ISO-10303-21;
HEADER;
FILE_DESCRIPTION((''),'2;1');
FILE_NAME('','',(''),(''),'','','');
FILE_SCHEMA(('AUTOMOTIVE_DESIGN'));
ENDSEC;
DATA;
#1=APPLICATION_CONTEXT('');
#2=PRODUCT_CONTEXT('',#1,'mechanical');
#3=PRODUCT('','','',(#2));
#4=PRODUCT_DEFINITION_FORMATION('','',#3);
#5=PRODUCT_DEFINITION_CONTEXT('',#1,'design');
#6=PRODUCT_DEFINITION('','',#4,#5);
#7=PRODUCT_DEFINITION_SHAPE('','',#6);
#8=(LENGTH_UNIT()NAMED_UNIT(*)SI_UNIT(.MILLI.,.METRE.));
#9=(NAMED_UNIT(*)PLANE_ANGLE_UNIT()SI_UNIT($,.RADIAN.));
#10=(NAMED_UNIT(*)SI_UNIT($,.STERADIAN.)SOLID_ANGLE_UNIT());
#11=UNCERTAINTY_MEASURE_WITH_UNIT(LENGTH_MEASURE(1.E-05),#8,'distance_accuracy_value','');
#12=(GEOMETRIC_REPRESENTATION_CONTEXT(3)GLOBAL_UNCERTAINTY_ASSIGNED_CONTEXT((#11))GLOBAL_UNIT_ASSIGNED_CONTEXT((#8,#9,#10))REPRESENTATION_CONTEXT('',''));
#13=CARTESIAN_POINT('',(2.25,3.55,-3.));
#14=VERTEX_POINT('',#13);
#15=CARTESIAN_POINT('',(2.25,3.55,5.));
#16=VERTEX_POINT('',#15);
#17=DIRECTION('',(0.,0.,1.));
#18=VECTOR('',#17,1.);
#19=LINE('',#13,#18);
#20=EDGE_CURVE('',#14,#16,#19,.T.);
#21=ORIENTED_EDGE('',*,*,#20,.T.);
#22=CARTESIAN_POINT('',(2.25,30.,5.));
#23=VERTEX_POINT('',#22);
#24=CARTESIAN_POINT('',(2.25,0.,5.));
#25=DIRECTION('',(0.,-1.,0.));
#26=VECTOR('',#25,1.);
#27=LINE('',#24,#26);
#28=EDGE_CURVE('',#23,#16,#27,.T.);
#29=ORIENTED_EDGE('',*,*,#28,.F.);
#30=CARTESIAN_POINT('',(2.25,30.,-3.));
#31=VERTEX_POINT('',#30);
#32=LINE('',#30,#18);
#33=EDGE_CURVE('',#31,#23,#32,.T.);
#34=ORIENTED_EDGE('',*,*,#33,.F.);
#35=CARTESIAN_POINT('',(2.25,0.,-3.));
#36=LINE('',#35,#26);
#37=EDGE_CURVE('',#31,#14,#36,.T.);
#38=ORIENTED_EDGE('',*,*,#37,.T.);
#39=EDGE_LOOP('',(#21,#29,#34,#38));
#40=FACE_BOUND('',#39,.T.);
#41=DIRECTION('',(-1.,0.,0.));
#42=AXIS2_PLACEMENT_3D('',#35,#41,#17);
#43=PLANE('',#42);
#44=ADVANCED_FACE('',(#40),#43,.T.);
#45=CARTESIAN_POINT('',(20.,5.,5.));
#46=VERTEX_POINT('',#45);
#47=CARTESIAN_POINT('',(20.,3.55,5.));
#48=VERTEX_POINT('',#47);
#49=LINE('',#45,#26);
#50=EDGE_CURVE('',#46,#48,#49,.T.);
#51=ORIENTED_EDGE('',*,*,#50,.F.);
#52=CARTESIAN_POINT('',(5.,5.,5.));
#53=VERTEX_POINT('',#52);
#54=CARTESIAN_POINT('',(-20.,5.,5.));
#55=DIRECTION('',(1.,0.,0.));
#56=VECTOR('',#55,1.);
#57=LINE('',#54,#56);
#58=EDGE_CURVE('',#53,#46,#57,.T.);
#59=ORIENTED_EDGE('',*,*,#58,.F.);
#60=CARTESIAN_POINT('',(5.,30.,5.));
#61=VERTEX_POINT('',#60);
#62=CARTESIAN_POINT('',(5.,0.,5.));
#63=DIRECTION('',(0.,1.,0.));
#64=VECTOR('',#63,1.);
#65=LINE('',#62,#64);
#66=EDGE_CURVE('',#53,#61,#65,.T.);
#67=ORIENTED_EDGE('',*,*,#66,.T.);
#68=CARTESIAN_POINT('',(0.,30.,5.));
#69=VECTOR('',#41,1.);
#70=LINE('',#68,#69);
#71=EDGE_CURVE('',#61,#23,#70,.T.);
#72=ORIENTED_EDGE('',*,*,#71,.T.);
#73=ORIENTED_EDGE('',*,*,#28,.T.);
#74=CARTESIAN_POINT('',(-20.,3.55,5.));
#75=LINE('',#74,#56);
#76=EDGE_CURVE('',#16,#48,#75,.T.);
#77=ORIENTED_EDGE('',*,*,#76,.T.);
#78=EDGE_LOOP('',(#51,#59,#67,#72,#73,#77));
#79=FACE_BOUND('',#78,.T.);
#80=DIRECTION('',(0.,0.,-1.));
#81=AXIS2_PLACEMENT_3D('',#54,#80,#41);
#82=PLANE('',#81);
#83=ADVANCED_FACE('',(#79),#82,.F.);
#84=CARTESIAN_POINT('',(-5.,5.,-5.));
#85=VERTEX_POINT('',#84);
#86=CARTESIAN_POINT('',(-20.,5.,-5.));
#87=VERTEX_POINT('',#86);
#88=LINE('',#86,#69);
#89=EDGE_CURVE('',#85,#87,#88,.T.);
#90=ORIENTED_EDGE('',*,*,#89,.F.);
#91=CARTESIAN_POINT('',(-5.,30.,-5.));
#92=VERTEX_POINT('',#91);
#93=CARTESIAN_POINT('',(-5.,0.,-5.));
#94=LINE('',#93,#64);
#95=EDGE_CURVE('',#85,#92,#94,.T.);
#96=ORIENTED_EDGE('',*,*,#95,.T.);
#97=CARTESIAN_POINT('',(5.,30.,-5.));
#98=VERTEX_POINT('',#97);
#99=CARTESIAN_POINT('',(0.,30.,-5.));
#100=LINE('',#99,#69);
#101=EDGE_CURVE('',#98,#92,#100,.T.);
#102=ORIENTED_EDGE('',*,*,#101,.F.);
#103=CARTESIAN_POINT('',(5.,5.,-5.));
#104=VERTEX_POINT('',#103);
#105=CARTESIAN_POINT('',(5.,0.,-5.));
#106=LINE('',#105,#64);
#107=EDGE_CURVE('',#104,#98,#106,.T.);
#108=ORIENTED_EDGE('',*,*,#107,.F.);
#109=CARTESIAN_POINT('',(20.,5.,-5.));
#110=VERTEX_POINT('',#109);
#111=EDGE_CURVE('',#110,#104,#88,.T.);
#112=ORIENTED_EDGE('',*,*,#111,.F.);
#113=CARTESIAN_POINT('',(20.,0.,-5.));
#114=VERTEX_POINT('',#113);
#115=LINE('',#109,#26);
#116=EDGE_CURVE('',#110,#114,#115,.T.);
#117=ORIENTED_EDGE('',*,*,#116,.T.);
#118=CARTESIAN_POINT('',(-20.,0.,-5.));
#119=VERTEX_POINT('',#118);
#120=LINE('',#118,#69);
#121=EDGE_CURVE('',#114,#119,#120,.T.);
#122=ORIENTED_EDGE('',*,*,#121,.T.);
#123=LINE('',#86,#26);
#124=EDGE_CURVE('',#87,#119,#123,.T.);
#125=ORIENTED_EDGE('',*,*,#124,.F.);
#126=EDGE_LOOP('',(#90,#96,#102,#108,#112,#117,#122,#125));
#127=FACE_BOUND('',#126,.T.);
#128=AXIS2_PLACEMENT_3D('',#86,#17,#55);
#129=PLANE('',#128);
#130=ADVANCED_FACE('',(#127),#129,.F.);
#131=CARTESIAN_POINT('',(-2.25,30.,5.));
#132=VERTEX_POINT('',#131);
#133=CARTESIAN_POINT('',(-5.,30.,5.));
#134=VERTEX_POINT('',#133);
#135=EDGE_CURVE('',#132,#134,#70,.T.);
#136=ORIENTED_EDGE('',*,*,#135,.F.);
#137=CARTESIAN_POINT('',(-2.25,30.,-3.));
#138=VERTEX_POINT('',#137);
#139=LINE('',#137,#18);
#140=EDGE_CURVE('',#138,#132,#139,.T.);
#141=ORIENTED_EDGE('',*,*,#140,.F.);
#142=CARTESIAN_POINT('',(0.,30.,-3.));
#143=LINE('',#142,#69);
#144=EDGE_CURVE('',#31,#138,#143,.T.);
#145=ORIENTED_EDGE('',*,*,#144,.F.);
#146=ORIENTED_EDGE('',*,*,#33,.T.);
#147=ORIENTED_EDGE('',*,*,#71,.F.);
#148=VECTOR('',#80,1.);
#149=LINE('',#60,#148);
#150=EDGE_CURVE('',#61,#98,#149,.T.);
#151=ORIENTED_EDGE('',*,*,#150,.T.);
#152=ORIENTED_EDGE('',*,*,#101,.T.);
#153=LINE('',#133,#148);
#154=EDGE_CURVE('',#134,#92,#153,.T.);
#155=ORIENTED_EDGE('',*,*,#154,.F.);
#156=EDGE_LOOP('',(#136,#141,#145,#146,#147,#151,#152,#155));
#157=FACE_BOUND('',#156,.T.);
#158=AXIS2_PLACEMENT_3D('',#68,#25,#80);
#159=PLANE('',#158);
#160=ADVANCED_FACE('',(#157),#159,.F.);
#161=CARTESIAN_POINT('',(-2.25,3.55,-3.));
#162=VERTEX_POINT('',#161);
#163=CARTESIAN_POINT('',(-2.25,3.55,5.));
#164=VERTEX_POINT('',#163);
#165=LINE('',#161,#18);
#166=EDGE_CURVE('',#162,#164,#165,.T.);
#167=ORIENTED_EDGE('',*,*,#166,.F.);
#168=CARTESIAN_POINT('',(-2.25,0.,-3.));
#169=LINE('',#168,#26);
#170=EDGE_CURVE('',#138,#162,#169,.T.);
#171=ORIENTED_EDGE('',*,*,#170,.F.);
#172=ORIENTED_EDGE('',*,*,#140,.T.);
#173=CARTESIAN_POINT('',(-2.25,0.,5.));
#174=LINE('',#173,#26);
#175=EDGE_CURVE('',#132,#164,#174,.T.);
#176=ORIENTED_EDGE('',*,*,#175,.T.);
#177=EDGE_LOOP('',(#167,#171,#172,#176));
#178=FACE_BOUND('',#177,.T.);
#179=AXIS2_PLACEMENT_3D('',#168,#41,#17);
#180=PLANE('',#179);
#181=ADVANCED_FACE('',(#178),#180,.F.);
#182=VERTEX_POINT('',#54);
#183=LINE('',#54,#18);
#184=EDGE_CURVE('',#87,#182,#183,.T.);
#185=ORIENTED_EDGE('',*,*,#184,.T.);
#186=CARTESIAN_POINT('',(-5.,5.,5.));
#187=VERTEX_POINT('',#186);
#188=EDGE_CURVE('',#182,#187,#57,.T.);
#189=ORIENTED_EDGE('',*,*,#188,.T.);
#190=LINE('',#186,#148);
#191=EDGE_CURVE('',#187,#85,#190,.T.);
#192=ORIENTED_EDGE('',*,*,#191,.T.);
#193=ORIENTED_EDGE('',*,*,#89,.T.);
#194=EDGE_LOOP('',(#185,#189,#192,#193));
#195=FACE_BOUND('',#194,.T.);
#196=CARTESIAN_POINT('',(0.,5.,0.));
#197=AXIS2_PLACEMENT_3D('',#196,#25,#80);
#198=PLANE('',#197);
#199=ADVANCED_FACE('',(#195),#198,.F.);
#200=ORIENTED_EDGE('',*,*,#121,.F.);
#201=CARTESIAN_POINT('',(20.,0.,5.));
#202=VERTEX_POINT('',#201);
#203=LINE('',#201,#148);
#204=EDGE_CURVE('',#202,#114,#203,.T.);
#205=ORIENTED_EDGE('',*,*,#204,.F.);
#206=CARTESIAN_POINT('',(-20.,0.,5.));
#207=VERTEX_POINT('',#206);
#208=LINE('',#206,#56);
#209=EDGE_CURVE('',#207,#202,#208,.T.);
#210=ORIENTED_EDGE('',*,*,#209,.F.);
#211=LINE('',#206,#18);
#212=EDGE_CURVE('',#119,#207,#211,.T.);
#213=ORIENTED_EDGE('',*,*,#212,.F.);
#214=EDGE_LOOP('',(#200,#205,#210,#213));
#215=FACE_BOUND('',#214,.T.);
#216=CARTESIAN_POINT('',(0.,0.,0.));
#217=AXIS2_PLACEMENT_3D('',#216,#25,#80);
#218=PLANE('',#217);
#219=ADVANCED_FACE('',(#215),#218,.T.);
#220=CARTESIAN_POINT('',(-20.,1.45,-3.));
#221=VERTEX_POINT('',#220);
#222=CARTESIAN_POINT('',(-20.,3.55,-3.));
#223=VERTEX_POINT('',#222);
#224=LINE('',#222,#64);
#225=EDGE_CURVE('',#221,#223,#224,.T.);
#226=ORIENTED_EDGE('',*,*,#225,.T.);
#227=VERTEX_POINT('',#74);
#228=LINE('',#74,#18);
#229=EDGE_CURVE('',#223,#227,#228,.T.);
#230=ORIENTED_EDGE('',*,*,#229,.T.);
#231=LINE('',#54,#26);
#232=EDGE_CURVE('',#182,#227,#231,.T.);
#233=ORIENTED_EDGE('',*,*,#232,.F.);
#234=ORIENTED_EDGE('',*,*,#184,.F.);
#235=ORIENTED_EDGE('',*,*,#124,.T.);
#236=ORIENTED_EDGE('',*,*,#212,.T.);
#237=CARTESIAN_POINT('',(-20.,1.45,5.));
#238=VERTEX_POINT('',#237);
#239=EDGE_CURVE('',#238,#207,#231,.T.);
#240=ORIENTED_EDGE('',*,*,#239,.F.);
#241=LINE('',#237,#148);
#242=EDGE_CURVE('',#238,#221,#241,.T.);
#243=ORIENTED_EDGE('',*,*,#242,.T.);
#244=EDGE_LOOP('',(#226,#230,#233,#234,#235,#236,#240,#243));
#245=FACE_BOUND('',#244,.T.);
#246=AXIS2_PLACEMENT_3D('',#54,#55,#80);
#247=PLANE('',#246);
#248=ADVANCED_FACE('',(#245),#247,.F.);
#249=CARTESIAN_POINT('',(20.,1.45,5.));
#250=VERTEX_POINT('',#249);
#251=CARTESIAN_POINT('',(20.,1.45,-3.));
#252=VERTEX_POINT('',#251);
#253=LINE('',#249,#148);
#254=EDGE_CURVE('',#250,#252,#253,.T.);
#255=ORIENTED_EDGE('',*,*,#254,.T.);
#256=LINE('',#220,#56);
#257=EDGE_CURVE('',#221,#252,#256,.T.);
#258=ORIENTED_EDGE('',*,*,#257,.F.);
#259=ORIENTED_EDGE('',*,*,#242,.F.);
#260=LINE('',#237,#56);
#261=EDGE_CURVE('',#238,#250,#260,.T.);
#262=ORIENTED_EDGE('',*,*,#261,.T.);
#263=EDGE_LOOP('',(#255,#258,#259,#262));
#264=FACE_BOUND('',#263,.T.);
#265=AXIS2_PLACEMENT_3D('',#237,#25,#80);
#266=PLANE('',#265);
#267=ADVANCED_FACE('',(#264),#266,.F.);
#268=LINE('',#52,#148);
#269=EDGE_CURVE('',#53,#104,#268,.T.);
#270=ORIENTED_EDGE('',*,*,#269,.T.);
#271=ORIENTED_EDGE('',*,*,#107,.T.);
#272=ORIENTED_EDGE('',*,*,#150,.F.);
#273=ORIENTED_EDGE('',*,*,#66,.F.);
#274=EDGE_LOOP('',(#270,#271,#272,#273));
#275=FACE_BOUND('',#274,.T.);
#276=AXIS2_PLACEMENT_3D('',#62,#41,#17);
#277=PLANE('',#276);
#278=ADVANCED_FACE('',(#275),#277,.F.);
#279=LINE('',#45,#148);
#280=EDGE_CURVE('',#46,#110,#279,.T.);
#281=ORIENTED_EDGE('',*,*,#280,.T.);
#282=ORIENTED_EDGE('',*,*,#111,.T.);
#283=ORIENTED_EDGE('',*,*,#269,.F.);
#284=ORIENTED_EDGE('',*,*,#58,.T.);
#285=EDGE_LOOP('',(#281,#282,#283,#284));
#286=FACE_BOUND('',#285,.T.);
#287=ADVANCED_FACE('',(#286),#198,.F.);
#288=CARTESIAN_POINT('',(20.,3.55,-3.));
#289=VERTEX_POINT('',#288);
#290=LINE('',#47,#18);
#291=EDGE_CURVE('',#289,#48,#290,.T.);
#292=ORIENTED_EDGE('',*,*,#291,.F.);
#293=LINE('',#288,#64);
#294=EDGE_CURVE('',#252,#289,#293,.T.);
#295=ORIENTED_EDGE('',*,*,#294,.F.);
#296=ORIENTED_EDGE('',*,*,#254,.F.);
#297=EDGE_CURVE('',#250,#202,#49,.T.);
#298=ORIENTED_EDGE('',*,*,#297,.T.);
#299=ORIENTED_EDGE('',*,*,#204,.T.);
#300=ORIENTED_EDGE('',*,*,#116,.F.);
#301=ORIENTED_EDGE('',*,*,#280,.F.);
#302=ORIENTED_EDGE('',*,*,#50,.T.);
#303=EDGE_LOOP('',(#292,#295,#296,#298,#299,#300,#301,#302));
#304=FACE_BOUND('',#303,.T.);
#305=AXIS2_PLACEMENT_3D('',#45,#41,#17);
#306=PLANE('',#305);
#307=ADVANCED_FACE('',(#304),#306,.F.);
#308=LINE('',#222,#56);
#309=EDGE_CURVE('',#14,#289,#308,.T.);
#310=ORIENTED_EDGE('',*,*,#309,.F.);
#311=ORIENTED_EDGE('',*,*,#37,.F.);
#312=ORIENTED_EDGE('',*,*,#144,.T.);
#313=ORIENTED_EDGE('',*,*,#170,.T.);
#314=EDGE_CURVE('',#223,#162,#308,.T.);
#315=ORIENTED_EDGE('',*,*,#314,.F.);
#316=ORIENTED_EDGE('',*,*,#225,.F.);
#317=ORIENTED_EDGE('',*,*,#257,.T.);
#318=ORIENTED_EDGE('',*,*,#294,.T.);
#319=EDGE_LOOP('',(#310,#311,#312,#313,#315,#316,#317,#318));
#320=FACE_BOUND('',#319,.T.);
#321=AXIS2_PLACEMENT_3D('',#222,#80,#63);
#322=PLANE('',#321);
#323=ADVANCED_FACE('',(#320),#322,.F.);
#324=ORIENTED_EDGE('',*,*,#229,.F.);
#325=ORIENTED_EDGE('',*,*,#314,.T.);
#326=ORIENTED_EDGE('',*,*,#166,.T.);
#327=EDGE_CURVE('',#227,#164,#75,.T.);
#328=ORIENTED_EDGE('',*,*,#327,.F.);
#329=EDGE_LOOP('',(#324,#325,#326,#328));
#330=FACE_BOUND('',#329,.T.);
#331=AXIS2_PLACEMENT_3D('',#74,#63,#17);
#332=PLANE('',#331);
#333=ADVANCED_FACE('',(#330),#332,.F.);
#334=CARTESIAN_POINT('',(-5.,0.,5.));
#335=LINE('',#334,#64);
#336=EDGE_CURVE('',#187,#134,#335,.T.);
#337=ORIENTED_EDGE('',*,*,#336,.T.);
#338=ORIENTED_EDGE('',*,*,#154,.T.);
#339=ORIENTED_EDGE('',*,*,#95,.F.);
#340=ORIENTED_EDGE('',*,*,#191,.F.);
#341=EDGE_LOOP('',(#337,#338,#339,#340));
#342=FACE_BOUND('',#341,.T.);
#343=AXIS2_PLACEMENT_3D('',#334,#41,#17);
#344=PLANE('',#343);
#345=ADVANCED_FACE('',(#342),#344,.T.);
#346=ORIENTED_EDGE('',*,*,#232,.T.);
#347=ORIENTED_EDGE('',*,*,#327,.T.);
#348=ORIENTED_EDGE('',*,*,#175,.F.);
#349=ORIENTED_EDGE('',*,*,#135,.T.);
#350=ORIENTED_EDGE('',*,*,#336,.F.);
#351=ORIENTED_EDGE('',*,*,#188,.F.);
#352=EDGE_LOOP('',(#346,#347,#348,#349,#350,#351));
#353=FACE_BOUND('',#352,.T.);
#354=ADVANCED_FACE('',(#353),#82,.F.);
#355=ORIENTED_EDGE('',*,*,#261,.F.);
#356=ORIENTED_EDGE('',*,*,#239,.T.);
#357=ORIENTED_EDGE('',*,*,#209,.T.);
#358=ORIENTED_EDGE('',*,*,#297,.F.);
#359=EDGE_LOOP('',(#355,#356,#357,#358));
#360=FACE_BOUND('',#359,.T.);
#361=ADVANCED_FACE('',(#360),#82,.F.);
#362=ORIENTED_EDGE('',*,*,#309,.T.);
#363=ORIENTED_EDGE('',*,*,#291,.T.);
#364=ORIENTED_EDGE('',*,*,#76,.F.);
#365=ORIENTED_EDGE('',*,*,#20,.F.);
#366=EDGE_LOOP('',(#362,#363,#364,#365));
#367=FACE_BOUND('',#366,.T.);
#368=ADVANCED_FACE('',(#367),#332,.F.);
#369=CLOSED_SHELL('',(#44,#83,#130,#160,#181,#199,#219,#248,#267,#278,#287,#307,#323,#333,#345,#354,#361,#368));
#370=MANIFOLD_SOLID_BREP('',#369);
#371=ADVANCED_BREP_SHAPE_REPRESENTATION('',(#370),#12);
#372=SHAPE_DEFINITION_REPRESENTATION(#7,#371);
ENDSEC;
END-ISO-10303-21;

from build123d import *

# Parameters (mm, degrees)
SKETCH1_W           = 40
SKETCH1_H           = 10
BOSS_EXTRUDE1_DEPTH = 5
SKETCH2_W           = 8
SKETCH2_H           = 2.1
CUT_EXTRUDE2_DEPTH  = 41
SKETCH3_W           = 10
SKETCH3_H           = 25
BOSS_EXTRUDE2_DEPTH = 10
SKETCH4_W           = 2.25
SKETCH4_H           = 26.45
CUT_EXTRUDE3_DEPTH  = 8


with BuildPart() as part:
    # Sketch1 → Boss-Extrude1 (new body)
    with BuildSketch(Plane(origin=(0, 0, 0), x_dir=(1, 0, 0), z_dir=(0, 1, 0))):
        Rectangle(SKETCH1_W, SKETCH1_H)
    extrude(amount=BOSS_EXTRUDE1_DEPTH)

    # Sketch2 → Cut-Extrude2 (cut, through all)
    with BuildSketch(Plane(origin=(20, 0, 0), x_dir=(0, 0, -1), z_dir=(1, 0, 0))):
        with Locations((-1, 2.5)):
            Rectangle(SKETCH2_W, SKETCH2_H)
    extrude(amount=-CUT_EXTRUDE2_DEPTH, mode=Mode.SUBTRACT)

    # Sketch3 → Boss-Extrude2 (add)
    with BuildSketch(Plane(origin=(0, 0, -5), x_dir=(-1, 0, 0), z_dir=(0, 0, -1))):
        with Locations((0, 17.5)):
            Rectangle(SKETCH3_W, SKETCH3_H)
    extrude(amount=-BOSS_EXTRUDE2_DEPTH)

    # Sketch4 → Cut-Extrude3 (cut)
    with BuildSketch(Plane.XY.offset(5)):
        with Locations((-1.125, 16.775)):
            Rectangle(SKETCH4_W, SKETCH4_H)
        with Locations((1.125, 16.775)):
            Rectangle(SKETCH4_W, SKETCH4_H)
    extrude(amount=-CUT_EXTRUDE3_DEPTH, mode=Mode.SUBTRACT)


solid = part.part
